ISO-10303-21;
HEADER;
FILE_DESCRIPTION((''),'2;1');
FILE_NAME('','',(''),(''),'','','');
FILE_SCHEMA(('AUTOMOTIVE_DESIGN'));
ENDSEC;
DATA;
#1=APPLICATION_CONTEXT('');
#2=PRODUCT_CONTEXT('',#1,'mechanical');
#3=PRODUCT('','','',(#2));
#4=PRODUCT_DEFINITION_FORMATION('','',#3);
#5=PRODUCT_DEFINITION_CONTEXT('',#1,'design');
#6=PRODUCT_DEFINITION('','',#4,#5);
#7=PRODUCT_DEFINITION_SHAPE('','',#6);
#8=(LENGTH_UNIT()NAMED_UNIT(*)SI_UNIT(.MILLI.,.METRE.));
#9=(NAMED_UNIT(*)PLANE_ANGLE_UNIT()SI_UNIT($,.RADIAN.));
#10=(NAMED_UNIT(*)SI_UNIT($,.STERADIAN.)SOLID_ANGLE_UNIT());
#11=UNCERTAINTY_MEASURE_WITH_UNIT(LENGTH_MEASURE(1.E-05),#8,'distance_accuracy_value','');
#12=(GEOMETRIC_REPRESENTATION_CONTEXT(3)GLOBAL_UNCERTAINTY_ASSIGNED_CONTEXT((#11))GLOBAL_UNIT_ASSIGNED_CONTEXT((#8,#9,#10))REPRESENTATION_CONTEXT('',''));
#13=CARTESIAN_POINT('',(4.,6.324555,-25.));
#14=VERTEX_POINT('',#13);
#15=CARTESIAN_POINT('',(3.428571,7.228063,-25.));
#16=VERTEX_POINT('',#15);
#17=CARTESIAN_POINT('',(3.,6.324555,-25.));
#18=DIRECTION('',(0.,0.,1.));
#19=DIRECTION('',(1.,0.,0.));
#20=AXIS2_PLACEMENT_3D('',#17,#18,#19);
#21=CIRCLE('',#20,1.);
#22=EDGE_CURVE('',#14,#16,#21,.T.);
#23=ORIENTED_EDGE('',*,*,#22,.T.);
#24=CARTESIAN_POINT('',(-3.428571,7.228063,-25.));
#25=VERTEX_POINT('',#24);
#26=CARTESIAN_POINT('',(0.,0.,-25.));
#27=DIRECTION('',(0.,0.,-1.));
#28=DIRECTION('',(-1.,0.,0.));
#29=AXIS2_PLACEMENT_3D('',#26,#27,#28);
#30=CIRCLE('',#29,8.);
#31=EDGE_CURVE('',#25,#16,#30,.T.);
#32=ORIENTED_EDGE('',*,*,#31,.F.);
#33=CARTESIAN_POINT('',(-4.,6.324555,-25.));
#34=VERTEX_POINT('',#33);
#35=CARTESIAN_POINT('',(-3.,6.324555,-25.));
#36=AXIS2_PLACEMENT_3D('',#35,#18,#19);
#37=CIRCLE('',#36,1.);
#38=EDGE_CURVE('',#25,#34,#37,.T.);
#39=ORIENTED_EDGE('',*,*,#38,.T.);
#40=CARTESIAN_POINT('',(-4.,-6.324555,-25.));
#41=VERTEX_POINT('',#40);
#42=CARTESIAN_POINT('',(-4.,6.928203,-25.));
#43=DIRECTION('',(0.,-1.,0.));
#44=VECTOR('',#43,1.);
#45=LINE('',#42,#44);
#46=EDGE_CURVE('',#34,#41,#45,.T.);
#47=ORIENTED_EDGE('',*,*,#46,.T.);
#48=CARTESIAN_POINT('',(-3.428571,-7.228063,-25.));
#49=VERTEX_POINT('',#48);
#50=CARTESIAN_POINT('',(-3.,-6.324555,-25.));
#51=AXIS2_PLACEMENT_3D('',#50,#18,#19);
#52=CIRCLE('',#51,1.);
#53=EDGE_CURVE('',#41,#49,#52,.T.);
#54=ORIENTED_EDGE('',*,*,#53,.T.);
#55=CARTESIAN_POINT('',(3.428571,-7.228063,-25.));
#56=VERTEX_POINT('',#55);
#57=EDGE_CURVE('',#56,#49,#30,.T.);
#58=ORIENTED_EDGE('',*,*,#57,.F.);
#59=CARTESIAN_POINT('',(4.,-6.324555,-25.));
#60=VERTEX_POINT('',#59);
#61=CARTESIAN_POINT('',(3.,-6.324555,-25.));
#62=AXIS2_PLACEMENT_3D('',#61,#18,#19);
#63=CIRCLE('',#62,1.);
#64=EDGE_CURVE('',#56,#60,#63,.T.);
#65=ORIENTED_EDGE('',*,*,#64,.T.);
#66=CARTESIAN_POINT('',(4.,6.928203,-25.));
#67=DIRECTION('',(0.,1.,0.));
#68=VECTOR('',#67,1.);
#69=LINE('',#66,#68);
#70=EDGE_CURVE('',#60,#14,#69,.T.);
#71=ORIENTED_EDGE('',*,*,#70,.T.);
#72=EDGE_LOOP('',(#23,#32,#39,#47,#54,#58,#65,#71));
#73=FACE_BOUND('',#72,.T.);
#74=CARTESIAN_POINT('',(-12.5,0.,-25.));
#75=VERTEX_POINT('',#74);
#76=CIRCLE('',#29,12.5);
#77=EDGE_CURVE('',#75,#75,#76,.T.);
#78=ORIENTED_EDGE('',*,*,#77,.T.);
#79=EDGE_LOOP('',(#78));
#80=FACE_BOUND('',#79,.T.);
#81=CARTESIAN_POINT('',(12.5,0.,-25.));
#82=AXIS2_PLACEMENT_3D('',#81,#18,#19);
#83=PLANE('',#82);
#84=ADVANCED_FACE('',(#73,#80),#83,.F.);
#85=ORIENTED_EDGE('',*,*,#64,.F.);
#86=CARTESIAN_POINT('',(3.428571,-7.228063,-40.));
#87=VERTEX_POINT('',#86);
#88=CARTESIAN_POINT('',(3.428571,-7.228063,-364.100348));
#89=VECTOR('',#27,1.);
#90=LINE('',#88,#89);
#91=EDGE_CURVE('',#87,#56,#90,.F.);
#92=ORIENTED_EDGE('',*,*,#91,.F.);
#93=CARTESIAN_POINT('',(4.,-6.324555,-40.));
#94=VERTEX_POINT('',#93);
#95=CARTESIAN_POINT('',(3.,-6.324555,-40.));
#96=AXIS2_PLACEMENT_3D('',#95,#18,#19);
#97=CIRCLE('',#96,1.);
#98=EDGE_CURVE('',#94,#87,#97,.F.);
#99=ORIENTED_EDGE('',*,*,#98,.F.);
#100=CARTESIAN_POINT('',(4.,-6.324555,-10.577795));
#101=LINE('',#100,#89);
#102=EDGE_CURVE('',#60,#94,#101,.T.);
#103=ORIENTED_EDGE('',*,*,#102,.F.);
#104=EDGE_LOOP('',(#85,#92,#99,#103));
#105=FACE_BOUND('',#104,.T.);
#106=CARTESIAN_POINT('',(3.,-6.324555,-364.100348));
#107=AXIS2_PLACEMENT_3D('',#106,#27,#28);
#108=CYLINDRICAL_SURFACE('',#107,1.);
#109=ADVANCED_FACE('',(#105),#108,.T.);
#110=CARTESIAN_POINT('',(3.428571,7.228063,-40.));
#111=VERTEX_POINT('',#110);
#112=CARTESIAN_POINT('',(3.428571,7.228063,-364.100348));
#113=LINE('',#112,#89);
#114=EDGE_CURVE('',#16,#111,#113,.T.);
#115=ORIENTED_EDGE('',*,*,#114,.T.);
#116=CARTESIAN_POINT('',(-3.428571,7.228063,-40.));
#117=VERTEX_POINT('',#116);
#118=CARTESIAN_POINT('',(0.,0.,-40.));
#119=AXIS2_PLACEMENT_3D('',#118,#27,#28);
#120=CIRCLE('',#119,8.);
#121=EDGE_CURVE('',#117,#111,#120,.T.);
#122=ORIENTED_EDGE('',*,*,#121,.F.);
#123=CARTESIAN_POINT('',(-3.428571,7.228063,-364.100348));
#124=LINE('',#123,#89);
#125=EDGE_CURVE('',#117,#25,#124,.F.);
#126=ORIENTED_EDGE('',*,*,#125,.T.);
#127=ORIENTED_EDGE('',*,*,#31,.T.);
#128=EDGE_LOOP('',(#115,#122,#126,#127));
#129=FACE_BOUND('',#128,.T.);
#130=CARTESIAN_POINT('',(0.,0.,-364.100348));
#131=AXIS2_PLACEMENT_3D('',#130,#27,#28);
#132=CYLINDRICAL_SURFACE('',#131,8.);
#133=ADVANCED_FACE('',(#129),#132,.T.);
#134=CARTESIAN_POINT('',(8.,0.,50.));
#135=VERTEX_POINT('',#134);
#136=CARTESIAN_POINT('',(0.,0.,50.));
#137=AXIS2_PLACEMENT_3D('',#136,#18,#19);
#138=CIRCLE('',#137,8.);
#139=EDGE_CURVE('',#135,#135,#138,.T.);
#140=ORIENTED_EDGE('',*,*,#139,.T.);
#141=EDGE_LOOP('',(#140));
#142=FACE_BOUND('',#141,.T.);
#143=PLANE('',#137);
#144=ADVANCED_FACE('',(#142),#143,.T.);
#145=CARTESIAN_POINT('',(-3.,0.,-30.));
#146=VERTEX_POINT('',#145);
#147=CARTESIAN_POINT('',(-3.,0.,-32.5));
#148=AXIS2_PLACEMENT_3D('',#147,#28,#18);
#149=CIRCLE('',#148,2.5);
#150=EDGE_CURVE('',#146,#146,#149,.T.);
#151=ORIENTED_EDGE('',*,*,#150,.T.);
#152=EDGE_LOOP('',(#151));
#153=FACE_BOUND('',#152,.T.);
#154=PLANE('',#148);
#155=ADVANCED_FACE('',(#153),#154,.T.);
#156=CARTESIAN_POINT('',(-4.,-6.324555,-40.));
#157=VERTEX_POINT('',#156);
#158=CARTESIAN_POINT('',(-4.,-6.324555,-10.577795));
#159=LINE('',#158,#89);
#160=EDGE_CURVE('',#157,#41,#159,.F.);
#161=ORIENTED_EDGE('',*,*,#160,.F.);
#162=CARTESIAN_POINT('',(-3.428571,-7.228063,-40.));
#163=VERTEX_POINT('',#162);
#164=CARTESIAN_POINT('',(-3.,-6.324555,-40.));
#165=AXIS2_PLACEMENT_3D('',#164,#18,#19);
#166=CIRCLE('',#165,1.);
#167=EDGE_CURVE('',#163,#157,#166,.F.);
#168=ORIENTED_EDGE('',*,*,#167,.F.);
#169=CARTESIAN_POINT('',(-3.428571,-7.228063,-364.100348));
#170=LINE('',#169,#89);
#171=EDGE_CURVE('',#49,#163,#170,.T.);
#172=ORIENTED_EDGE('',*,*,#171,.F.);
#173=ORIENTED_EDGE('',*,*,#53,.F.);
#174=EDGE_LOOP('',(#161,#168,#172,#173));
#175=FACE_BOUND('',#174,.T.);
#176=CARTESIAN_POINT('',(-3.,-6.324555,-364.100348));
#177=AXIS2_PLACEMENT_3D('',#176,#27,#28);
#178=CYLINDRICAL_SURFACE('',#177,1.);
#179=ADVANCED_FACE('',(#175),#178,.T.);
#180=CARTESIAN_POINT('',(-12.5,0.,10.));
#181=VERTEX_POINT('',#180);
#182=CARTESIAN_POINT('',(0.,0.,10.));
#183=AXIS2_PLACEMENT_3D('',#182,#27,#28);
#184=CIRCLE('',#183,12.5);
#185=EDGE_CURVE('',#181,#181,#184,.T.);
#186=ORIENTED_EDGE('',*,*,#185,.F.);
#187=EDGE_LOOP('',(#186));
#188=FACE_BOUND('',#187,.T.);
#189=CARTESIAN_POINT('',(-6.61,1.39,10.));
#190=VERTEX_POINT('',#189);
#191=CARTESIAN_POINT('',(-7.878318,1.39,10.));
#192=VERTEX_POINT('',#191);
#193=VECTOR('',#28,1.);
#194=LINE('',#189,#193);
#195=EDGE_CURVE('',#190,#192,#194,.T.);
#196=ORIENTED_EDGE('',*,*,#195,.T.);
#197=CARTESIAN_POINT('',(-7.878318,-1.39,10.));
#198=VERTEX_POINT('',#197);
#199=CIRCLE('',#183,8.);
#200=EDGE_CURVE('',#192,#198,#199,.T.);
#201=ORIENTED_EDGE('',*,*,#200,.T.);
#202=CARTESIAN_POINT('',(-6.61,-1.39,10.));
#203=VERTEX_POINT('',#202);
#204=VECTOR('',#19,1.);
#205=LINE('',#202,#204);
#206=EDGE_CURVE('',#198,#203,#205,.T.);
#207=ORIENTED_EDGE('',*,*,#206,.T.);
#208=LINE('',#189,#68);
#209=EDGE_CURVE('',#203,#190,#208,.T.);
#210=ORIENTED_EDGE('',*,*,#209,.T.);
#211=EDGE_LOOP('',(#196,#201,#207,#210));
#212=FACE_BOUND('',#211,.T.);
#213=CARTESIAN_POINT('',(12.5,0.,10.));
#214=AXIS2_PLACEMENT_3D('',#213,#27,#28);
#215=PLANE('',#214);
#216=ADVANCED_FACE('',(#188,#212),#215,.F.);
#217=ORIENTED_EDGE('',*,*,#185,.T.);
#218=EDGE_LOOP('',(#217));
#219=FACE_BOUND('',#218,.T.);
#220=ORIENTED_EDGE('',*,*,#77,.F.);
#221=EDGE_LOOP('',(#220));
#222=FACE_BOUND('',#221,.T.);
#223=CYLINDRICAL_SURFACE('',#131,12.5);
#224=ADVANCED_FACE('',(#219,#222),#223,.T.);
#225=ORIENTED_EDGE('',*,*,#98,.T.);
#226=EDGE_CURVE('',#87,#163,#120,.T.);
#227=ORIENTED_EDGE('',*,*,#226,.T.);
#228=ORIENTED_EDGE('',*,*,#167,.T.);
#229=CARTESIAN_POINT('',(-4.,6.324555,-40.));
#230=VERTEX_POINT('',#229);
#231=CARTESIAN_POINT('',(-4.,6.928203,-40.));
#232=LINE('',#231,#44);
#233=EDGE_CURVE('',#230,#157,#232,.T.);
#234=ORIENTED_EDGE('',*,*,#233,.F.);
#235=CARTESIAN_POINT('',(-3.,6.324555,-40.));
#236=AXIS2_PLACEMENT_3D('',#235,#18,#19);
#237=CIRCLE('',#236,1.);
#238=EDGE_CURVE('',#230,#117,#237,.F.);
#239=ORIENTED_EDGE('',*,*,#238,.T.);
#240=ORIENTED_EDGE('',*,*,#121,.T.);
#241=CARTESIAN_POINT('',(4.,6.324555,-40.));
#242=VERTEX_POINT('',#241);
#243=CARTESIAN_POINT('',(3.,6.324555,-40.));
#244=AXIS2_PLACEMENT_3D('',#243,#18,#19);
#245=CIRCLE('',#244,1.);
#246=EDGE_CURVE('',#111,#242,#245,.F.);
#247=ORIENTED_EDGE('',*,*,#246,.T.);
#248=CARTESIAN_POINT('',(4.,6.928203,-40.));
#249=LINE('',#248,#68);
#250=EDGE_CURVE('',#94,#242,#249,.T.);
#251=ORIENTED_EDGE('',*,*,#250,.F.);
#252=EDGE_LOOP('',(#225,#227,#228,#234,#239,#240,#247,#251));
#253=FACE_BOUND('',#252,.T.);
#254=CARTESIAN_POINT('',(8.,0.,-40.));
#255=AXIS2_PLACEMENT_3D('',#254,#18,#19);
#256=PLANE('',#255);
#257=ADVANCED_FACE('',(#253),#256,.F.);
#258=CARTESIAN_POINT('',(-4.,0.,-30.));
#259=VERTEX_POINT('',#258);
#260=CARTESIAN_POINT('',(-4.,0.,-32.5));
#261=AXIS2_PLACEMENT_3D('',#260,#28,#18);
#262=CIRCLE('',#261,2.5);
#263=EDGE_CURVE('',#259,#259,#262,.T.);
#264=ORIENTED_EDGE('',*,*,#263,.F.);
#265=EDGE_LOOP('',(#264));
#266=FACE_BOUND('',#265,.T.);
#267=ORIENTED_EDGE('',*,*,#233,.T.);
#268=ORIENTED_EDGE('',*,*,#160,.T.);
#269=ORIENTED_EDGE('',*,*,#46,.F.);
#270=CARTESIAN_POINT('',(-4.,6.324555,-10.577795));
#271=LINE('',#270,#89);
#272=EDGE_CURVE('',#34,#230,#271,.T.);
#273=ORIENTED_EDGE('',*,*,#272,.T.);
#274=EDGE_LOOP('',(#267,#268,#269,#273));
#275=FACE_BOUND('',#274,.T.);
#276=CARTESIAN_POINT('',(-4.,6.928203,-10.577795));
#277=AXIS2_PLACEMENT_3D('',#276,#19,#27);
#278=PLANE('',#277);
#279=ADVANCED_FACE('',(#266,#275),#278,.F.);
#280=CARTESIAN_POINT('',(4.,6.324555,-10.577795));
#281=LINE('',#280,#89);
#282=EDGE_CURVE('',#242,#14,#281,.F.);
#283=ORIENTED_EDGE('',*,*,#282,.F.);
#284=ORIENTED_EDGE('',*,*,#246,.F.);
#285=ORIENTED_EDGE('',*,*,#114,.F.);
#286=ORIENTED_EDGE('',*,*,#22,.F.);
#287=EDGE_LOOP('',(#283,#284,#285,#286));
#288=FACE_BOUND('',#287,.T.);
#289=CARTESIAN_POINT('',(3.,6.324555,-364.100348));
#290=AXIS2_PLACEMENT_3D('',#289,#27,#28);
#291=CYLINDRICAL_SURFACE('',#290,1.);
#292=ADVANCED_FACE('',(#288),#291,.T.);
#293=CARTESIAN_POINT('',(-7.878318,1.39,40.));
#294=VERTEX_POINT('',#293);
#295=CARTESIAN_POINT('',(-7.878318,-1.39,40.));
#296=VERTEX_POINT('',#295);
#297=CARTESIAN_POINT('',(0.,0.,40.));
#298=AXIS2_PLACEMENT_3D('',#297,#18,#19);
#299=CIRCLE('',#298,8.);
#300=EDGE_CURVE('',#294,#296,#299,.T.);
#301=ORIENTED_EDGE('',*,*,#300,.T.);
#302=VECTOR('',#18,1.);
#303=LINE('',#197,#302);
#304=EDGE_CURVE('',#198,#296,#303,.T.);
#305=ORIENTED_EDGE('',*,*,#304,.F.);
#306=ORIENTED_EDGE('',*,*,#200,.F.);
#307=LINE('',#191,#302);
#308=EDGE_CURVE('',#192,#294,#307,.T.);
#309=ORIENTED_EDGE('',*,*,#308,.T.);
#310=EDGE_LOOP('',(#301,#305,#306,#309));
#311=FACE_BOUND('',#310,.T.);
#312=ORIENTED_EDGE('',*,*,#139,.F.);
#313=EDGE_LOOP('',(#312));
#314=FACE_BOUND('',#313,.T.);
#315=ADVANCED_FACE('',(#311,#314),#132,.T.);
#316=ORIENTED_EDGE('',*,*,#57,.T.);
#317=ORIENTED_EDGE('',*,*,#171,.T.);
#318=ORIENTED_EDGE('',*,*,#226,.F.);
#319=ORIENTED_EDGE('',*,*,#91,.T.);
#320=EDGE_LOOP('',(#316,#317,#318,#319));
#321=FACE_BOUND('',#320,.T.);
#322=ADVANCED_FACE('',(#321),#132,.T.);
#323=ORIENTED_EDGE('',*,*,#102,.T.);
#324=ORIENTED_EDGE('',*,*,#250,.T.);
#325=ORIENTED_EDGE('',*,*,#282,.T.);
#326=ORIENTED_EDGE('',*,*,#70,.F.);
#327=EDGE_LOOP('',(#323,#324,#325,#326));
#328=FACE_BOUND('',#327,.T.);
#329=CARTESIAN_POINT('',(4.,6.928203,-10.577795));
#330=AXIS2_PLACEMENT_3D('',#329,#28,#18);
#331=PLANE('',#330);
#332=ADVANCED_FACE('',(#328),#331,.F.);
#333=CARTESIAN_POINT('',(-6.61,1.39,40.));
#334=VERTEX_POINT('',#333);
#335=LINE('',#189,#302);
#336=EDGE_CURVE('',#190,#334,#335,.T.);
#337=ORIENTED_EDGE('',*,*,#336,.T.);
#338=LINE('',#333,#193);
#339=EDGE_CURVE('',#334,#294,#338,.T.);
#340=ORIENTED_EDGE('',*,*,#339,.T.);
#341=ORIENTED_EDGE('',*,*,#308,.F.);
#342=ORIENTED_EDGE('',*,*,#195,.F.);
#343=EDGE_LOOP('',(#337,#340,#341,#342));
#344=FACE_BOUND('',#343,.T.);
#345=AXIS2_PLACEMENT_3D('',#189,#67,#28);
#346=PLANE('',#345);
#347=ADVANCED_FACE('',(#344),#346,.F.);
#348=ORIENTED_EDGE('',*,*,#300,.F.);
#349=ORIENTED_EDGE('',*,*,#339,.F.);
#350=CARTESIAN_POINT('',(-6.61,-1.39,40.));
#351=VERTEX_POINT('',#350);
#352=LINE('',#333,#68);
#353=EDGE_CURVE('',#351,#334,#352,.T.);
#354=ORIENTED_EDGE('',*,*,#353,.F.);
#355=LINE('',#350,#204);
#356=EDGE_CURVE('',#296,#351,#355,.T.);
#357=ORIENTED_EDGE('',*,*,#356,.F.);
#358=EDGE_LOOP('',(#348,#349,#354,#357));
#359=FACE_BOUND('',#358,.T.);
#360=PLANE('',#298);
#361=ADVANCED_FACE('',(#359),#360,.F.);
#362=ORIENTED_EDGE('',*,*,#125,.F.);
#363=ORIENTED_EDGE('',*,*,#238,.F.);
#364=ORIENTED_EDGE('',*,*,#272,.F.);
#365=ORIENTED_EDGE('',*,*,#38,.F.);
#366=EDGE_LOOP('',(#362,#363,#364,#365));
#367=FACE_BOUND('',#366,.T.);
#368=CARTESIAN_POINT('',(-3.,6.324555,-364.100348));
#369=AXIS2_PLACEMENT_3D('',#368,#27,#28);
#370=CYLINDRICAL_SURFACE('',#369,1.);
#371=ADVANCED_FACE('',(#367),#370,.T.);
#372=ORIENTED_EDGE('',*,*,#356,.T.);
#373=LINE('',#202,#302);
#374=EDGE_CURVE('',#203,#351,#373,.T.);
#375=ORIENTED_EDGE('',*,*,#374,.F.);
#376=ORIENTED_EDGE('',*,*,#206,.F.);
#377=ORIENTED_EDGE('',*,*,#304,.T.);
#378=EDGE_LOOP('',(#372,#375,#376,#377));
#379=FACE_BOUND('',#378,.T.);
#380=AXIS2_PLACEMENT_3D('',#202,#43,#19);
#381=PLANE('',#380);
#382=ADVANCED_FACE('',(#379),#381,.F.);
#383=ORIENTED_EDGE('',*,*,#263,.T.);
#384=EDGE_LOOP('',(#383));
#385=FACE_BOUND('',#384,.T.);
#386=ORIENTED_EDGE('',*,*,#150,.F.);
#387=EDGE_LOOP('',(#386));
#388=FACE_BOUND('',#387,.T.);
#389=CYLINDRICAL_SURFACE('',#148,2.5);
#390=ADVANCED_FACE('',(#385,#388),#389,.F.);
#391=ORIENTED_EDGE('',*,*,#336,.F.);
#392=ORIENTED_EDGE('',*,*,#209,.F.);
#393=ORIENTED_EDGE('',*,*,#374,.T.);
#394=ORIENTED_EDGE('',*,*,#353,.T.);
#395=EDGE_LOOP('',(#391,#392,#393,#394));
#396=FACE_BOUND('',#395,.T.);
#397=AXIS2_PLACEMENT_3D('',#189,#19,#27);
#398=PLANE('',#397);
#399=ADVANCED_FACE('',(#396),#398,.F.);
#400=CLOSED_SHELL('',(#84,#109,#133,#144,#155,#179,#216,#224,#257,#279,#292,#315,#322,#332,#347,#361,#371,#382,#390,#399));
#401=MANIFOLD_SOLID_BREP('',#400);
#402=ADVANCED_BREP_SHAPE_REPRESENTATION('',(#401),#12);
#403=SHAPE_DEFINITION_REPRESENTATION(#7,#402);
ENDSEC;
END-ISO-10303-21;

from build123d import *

# Parameters (mm, degrees)
CUT_EXTRUDE2_START  = -30
CUT_EXTRUDE2_DEPTH  = 30
SKETCH6_R           = 8
BOSS_EXTRUDE1_DEPTH = 10
CUT_EXTRUDE3_DEPTH  = 15
FILLET1_R           = 1
SKETCH8_R           = 2.5
CUT_EXTRUDE4_DEPTH  = 1


with BuildPart() as part:
    # Sketch2 → Revolve2 (revolve)
    with BuildSketch(Plane(origin=(0, 0, 0), x_dir=(1, 0, 0), z_dir=(0, 1, 0)), mode=Mode.PRIVATE) as revolve2_sk:
        Polygon((0, -40), (8, -40), (8, -10), (12.5, -10), (12.5, 25), (8, 25), (8, 40), (0, 40), align=None)
    revolve(revolve2_sk.sketch.rotate(Axis((0, 0, -364.100348117), (0, 0, 1)), 180), axis=Axis((0, 0, -364.100348117), (0, 0, 1)))

    # Sketch4 → Cut-Extrude2 (cut)
    with BuildSketch(Plane.XY.offset(40).offset(CUT_EXTRUDE2_START)):
        with BuildLine():
            Line((-6.61, 1.39), (-7.878318348, 1.39))
            ThreePointArc((-7.878318348, 1.39), (-8, 0), (-7.878318348, -1.39))
            Line((-7.878318348, -1.39), (-6.61, -1.39))
            Line((-6.61, -1.39), (-6.61, 1.39))
        make_face()
    extrude(amount=CUT_EXTRUDE2_DEPTH, mode=Mode.SUBTRACT)

    # Sketch6 → Boss-Extrude1 (add)
    with BuildSketch(Plane.XY.offset(40)):
        with Locations(Location((0, 0, 0), (0, 0, 190.005924043))):
            Circle(SKETCH6_R)
    extrude(amount=BOSS_EXTRUDE1_DEPTH)

    # Sketch7 → Cut-Extrude3 (cut)
    with BuildSketch(Plane(origin=(0, 0, -40), x_dir=(-1, 0, 0), z_dir=(0, 0, -1))):
        with BuildLine():
            Line((-4, 6.92820323), (-4, -6.92820323))
            ThreePointArc((-4, -6.92820323), (-8, 0), (-4, 6.92820323))
        make_face()
        with BuildLine():
            Line((4, 6.92820323), (4, -6.92820323))
            ThreePointArc((4, -6.92820323), (8, 0), (4, 6.92820323))
        make_face()
    extrude(amount=-CUT_EXTRUDE3_DEPTH, mode=Mode.SUBTRACT)

    # Fillet1
    fillet1_edges = [part.edges().sort_by_distance(p)[0] for p in [
        (4, 6.92820323, -32.5),
        (4, -6.92820323, -32.5),
        (-4, -6.92820323, -32.5),
        (-4, 6.92820323, -32.5),
    ]]
    fillet(fillet1_edges, radius=FILLET1_R)

    # Sketch8 → Cut-Extrude4 (cut)
    with BuildSketch(Plane.ZY.offset(4)):
        with Locations((-32.5, 0)):
            Circle(SKETCH8_R)
    extrude(amount=-CUT_EXTRUDE4_DEPTH, mode=Mode.SUBTRACT)


solid = part.part
